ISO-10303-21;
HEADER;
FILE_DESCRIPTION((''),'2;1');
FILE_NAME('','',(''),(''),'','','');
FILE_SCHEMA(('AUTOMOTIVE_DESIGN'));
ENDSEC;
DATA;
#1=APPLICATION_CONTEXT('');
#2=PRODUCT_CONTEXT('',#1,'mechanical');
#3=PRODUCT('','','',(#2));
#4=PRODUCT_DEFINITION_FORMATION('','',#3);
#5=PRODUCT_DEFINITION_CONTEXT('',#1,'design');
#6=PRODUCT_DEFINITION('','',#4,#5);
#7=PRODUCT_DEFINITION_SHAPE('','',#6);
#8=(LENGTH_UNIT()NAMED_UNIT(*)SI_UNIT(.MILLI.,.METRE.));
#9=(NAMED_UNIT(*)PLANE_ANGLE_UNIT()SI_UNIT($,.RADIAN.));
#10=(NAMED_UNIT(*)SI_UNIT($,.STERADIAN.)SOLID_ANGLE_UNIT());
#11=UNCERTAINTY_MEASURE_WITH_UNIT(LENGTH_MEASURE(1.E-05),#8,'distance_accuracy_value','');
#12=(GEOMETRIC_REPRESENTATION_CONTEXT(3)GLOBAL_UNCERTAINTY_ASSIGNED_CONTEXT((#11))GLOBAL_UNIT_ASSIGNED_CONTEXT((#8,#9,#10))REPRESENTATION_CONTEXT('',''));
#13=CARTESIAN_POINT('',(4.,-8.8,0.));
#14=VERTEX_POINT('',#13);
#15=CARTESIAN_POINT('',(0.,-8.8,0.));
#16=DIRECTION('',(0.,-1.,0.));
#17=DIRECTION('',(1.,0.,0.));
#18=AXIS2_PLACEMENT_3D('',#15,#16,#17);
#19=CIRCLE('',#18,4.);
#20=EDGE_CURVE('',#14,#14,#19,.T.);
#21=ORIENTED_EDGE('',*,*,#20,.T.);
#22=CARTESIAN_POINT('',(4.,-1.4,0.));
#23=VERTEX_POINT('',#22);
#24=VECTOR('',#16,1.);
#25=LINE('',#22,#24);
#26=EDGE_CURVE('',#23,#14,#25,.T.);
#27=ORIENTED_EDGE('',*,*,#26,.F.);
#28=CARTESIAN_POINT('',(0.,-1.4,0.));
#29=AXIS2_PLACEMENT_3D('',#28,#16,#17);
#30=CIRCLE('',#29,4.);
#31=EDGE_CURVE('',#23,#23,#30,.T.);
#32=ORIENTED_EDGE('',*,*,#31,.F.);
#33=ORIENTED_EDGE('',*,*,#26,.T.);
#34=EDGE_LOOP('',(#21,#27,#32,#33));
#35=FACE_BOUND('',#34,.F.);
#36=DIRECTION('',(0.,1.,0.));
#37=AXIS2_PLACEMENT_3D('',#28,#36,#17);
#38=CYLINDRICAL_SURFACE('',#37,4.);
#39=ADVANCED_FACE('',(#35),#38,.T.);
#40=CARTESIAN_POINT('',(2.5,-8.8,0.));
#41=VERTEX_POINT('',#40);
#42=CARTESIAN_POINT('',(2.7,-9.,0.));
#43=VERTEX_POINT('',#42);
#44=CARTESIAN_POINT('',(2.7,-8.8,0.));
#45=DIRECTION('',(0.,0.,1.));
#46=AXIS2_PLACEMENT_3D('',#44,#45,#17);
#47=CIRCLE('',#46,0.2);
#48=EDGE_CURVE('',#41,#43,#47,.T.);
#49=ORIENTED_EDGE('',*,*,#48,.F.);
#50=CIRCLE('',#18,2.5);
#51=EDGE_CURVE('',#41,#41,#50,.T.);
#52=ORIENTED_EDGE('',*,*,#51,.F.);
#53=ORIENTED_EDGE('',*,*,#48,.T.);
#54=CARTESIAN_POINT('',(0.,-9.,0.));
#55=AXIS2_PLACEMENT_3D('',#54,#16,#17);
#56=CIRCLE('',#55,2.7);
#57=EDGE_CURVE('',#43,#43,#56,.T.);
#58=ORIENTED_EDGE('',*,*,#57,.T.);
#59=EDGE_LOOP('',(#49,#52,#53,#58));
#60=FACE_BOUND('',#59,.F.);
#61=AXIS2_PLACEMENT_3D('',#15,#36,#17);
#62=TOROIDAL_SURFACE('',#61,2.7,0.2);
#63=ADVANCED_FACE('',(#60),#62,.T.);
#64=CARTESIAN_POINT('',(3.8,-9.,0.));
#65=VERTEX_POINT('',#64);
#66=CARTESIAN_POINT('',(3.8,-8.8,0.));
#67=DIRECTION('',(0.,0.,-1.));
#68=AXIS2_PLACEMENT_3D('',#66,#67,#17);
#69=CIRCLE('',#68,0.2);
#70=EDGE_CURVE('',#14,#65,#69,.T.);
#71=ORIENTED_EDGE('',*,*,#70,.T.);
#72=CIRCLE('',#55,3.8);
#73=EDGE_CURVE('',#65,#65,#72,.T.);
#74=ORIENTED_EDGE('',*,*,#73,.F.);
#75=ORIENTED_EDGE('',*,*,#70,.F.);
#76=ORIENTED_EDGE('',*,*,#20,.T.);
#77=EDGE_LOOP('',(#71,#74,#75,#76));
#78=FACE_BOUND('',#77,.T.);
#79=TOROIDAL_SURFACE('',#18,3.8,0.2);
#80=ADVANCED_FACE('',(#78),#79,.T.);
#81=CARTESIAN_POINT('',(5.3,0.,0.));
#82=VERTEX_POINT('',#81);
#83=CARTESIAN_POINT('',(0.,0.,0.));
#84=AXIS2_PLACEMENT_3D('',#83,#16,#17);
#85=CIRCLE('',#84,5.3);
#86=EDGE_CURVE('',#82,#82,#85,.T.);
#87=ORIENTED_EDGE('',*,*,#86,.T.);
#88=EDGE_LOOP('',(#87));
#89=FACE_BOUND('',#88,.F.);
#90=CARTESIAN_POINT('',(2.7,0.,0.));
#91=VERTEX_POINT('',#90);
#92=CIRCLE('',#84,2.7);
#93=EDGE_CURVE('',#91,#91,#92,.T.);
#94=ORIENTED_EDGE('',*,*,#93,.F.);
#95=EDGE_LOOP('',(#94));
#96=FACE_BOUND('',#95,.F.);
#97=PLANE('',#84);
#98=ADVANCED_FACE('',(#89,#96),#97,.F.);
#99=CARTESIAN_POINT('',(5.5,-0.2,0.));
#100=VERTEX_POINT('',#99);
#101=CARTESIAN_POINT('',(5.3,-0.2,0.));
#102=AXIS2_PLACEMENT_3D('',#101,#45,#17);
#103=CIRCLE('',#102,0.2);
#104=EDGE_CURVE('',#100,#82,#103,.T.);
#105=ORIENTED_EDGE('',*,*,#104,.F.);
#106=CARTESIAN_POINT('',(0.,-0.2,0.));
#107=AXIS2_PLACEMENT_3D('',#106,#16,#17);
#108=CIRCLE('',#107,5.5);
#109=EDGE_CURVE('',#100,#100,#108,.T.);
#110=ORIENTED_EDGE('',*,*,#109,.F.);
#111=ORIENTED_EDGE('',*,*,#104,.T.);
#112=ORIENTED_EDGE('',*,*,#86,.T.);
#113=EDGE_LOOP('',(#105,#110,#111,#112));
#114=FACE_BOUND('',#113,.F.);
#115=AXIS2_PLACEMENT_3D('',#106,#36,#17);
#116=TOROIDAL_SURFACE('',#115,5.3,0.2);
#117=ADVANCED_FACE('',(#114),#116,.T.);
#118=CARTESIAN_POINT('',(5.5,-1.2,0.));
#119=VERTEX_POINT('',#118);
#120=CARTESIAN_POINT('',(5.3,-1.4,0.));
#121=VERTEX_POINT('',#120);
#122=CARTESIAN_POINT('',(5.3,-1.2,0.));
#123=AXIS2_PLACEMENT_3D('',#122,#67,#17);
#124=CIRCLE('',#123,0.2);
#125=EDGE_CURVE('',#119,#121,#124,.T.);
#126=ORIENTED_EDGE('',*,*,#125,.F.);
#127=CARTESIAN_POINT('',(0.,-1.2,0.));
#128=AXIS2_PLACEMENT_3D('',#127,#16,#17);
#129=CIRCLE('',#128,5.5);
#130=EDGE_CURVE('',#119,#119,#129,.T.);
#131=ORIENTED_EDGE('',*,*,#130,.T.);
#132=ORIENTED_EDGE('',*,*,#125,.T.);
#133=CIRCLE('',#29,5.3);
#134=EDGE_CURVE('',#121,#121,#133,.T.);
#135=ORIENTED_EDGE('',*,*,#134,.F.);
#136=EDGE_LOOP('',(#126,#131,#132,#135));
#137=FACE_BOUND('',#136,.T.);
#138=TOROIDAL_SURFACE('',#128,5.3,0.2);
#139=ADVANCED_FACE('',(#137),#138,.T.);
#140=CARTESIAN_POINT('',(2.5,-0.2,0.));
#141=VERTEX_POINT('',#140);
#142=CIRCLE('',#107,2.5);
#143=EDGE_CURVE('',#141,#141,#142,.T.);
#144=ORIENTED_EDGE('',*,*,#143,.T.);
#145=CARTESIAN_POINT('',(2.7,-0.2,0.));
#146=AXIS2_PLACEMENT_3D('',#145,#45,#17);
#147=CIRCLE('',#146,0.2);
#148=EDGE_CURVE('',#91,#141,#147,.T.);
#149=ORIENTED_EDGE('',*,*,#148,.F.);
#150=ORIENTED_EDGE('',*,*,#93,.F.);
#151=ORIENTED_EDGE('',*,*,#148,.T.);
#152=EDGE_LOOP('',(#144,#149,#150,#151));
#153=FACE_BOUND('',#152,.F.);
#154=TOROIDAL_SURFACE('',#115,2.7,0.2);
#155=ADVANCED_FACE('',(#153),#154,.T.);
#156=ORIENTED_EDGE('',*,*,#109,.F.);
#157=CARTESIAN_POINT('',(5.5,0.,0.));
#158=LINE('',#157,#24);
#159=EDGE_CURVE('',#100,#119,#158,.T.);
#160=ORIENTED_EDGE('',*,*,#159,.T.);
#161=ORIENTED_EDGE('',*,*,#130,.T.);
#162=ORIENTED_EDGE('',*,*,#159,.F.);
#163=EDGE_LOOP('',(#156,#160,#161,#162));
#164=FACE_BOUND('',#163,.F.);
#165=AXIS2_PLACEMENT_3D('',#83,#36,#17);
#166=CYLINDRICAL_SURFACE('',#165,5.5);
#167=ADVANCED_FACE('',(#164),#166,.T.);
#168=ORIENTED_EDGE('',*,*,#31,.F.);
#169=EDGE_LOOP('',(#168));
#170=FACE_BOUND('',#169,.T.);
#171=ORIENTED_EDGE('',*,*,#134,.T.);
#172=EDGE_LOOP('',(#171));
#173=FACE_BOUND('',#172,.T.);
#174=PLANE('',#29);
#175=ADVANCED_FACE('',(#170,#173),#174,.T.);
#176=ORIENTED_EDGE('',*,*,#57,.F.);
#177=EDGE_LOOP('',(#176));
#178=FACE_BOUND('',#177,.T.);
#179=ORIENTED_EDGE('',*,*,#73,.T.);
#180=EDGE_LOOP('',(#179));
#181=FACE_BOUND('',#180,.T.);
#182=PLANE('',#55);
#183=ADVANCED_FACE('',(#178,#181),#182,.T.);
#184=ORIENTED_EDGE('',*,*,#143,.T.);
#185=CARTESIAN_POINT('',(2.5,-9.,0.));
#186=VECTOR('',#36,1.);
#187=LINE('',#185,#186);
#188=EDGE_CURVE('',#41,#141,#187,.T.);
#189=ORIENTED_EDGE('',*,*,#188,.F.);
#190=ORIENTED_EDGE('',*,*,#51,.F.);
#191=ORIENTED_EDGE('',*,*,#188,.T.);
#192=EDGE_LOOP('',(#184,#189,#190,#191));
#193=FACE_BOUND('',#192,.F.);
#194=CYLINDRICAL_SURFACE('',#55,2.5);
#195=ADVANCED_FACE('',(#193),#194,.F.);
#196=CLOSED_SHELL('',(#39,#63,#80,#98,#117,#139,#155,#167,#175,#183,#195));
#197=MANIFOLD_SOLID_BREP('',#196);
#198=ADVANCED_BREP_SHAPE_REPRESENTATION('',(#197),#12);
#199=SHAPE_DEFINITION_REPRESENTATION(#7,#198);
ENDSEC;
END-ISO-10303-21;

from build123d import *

# Parameters (mm, degrees)
F0_R     = 5.5
F1_DEPTH = 1.4
F2_R     = 4
F3_DEPTH = 7.6
F4_R     = 2.5
F5_DEPTH = 10
F6_R     = 0.2


with BuildPart() as f1:
    # F0 (on Front) → F1 (new body)
    with BuildSketch(Plane.XZ):
        Circle(F0_R)
    extrude(amount=F1_DEPTH)

    # F2 (on face) → F3 (join)
    with BuildSketch(Plane.XZ.offset(1.4)):
        Circle(F2_R)
    extrude(amount=F3_DEPTH)

    # F4 (on face) → F5 (cut)
    with BuildSketch(Plane.XZ.offset(9)):
        Circle(F4_R)
    extrude(amount=-F5_DEPTH, mode=Mode.SUBTRACT)

    # F6
    f6_edges = [f1.edges().sort_by_distance(p)[0] for p in [
        (-2.5, -9, 0),
        (-4, -9, 0),
        (-5.5, -1.4, 0),
        (-5.5, 0, 0),
        (-2.5, 0, 0),
    ]]
    fillet(f6_edges, radius=F6_R)


solid = f1.part
